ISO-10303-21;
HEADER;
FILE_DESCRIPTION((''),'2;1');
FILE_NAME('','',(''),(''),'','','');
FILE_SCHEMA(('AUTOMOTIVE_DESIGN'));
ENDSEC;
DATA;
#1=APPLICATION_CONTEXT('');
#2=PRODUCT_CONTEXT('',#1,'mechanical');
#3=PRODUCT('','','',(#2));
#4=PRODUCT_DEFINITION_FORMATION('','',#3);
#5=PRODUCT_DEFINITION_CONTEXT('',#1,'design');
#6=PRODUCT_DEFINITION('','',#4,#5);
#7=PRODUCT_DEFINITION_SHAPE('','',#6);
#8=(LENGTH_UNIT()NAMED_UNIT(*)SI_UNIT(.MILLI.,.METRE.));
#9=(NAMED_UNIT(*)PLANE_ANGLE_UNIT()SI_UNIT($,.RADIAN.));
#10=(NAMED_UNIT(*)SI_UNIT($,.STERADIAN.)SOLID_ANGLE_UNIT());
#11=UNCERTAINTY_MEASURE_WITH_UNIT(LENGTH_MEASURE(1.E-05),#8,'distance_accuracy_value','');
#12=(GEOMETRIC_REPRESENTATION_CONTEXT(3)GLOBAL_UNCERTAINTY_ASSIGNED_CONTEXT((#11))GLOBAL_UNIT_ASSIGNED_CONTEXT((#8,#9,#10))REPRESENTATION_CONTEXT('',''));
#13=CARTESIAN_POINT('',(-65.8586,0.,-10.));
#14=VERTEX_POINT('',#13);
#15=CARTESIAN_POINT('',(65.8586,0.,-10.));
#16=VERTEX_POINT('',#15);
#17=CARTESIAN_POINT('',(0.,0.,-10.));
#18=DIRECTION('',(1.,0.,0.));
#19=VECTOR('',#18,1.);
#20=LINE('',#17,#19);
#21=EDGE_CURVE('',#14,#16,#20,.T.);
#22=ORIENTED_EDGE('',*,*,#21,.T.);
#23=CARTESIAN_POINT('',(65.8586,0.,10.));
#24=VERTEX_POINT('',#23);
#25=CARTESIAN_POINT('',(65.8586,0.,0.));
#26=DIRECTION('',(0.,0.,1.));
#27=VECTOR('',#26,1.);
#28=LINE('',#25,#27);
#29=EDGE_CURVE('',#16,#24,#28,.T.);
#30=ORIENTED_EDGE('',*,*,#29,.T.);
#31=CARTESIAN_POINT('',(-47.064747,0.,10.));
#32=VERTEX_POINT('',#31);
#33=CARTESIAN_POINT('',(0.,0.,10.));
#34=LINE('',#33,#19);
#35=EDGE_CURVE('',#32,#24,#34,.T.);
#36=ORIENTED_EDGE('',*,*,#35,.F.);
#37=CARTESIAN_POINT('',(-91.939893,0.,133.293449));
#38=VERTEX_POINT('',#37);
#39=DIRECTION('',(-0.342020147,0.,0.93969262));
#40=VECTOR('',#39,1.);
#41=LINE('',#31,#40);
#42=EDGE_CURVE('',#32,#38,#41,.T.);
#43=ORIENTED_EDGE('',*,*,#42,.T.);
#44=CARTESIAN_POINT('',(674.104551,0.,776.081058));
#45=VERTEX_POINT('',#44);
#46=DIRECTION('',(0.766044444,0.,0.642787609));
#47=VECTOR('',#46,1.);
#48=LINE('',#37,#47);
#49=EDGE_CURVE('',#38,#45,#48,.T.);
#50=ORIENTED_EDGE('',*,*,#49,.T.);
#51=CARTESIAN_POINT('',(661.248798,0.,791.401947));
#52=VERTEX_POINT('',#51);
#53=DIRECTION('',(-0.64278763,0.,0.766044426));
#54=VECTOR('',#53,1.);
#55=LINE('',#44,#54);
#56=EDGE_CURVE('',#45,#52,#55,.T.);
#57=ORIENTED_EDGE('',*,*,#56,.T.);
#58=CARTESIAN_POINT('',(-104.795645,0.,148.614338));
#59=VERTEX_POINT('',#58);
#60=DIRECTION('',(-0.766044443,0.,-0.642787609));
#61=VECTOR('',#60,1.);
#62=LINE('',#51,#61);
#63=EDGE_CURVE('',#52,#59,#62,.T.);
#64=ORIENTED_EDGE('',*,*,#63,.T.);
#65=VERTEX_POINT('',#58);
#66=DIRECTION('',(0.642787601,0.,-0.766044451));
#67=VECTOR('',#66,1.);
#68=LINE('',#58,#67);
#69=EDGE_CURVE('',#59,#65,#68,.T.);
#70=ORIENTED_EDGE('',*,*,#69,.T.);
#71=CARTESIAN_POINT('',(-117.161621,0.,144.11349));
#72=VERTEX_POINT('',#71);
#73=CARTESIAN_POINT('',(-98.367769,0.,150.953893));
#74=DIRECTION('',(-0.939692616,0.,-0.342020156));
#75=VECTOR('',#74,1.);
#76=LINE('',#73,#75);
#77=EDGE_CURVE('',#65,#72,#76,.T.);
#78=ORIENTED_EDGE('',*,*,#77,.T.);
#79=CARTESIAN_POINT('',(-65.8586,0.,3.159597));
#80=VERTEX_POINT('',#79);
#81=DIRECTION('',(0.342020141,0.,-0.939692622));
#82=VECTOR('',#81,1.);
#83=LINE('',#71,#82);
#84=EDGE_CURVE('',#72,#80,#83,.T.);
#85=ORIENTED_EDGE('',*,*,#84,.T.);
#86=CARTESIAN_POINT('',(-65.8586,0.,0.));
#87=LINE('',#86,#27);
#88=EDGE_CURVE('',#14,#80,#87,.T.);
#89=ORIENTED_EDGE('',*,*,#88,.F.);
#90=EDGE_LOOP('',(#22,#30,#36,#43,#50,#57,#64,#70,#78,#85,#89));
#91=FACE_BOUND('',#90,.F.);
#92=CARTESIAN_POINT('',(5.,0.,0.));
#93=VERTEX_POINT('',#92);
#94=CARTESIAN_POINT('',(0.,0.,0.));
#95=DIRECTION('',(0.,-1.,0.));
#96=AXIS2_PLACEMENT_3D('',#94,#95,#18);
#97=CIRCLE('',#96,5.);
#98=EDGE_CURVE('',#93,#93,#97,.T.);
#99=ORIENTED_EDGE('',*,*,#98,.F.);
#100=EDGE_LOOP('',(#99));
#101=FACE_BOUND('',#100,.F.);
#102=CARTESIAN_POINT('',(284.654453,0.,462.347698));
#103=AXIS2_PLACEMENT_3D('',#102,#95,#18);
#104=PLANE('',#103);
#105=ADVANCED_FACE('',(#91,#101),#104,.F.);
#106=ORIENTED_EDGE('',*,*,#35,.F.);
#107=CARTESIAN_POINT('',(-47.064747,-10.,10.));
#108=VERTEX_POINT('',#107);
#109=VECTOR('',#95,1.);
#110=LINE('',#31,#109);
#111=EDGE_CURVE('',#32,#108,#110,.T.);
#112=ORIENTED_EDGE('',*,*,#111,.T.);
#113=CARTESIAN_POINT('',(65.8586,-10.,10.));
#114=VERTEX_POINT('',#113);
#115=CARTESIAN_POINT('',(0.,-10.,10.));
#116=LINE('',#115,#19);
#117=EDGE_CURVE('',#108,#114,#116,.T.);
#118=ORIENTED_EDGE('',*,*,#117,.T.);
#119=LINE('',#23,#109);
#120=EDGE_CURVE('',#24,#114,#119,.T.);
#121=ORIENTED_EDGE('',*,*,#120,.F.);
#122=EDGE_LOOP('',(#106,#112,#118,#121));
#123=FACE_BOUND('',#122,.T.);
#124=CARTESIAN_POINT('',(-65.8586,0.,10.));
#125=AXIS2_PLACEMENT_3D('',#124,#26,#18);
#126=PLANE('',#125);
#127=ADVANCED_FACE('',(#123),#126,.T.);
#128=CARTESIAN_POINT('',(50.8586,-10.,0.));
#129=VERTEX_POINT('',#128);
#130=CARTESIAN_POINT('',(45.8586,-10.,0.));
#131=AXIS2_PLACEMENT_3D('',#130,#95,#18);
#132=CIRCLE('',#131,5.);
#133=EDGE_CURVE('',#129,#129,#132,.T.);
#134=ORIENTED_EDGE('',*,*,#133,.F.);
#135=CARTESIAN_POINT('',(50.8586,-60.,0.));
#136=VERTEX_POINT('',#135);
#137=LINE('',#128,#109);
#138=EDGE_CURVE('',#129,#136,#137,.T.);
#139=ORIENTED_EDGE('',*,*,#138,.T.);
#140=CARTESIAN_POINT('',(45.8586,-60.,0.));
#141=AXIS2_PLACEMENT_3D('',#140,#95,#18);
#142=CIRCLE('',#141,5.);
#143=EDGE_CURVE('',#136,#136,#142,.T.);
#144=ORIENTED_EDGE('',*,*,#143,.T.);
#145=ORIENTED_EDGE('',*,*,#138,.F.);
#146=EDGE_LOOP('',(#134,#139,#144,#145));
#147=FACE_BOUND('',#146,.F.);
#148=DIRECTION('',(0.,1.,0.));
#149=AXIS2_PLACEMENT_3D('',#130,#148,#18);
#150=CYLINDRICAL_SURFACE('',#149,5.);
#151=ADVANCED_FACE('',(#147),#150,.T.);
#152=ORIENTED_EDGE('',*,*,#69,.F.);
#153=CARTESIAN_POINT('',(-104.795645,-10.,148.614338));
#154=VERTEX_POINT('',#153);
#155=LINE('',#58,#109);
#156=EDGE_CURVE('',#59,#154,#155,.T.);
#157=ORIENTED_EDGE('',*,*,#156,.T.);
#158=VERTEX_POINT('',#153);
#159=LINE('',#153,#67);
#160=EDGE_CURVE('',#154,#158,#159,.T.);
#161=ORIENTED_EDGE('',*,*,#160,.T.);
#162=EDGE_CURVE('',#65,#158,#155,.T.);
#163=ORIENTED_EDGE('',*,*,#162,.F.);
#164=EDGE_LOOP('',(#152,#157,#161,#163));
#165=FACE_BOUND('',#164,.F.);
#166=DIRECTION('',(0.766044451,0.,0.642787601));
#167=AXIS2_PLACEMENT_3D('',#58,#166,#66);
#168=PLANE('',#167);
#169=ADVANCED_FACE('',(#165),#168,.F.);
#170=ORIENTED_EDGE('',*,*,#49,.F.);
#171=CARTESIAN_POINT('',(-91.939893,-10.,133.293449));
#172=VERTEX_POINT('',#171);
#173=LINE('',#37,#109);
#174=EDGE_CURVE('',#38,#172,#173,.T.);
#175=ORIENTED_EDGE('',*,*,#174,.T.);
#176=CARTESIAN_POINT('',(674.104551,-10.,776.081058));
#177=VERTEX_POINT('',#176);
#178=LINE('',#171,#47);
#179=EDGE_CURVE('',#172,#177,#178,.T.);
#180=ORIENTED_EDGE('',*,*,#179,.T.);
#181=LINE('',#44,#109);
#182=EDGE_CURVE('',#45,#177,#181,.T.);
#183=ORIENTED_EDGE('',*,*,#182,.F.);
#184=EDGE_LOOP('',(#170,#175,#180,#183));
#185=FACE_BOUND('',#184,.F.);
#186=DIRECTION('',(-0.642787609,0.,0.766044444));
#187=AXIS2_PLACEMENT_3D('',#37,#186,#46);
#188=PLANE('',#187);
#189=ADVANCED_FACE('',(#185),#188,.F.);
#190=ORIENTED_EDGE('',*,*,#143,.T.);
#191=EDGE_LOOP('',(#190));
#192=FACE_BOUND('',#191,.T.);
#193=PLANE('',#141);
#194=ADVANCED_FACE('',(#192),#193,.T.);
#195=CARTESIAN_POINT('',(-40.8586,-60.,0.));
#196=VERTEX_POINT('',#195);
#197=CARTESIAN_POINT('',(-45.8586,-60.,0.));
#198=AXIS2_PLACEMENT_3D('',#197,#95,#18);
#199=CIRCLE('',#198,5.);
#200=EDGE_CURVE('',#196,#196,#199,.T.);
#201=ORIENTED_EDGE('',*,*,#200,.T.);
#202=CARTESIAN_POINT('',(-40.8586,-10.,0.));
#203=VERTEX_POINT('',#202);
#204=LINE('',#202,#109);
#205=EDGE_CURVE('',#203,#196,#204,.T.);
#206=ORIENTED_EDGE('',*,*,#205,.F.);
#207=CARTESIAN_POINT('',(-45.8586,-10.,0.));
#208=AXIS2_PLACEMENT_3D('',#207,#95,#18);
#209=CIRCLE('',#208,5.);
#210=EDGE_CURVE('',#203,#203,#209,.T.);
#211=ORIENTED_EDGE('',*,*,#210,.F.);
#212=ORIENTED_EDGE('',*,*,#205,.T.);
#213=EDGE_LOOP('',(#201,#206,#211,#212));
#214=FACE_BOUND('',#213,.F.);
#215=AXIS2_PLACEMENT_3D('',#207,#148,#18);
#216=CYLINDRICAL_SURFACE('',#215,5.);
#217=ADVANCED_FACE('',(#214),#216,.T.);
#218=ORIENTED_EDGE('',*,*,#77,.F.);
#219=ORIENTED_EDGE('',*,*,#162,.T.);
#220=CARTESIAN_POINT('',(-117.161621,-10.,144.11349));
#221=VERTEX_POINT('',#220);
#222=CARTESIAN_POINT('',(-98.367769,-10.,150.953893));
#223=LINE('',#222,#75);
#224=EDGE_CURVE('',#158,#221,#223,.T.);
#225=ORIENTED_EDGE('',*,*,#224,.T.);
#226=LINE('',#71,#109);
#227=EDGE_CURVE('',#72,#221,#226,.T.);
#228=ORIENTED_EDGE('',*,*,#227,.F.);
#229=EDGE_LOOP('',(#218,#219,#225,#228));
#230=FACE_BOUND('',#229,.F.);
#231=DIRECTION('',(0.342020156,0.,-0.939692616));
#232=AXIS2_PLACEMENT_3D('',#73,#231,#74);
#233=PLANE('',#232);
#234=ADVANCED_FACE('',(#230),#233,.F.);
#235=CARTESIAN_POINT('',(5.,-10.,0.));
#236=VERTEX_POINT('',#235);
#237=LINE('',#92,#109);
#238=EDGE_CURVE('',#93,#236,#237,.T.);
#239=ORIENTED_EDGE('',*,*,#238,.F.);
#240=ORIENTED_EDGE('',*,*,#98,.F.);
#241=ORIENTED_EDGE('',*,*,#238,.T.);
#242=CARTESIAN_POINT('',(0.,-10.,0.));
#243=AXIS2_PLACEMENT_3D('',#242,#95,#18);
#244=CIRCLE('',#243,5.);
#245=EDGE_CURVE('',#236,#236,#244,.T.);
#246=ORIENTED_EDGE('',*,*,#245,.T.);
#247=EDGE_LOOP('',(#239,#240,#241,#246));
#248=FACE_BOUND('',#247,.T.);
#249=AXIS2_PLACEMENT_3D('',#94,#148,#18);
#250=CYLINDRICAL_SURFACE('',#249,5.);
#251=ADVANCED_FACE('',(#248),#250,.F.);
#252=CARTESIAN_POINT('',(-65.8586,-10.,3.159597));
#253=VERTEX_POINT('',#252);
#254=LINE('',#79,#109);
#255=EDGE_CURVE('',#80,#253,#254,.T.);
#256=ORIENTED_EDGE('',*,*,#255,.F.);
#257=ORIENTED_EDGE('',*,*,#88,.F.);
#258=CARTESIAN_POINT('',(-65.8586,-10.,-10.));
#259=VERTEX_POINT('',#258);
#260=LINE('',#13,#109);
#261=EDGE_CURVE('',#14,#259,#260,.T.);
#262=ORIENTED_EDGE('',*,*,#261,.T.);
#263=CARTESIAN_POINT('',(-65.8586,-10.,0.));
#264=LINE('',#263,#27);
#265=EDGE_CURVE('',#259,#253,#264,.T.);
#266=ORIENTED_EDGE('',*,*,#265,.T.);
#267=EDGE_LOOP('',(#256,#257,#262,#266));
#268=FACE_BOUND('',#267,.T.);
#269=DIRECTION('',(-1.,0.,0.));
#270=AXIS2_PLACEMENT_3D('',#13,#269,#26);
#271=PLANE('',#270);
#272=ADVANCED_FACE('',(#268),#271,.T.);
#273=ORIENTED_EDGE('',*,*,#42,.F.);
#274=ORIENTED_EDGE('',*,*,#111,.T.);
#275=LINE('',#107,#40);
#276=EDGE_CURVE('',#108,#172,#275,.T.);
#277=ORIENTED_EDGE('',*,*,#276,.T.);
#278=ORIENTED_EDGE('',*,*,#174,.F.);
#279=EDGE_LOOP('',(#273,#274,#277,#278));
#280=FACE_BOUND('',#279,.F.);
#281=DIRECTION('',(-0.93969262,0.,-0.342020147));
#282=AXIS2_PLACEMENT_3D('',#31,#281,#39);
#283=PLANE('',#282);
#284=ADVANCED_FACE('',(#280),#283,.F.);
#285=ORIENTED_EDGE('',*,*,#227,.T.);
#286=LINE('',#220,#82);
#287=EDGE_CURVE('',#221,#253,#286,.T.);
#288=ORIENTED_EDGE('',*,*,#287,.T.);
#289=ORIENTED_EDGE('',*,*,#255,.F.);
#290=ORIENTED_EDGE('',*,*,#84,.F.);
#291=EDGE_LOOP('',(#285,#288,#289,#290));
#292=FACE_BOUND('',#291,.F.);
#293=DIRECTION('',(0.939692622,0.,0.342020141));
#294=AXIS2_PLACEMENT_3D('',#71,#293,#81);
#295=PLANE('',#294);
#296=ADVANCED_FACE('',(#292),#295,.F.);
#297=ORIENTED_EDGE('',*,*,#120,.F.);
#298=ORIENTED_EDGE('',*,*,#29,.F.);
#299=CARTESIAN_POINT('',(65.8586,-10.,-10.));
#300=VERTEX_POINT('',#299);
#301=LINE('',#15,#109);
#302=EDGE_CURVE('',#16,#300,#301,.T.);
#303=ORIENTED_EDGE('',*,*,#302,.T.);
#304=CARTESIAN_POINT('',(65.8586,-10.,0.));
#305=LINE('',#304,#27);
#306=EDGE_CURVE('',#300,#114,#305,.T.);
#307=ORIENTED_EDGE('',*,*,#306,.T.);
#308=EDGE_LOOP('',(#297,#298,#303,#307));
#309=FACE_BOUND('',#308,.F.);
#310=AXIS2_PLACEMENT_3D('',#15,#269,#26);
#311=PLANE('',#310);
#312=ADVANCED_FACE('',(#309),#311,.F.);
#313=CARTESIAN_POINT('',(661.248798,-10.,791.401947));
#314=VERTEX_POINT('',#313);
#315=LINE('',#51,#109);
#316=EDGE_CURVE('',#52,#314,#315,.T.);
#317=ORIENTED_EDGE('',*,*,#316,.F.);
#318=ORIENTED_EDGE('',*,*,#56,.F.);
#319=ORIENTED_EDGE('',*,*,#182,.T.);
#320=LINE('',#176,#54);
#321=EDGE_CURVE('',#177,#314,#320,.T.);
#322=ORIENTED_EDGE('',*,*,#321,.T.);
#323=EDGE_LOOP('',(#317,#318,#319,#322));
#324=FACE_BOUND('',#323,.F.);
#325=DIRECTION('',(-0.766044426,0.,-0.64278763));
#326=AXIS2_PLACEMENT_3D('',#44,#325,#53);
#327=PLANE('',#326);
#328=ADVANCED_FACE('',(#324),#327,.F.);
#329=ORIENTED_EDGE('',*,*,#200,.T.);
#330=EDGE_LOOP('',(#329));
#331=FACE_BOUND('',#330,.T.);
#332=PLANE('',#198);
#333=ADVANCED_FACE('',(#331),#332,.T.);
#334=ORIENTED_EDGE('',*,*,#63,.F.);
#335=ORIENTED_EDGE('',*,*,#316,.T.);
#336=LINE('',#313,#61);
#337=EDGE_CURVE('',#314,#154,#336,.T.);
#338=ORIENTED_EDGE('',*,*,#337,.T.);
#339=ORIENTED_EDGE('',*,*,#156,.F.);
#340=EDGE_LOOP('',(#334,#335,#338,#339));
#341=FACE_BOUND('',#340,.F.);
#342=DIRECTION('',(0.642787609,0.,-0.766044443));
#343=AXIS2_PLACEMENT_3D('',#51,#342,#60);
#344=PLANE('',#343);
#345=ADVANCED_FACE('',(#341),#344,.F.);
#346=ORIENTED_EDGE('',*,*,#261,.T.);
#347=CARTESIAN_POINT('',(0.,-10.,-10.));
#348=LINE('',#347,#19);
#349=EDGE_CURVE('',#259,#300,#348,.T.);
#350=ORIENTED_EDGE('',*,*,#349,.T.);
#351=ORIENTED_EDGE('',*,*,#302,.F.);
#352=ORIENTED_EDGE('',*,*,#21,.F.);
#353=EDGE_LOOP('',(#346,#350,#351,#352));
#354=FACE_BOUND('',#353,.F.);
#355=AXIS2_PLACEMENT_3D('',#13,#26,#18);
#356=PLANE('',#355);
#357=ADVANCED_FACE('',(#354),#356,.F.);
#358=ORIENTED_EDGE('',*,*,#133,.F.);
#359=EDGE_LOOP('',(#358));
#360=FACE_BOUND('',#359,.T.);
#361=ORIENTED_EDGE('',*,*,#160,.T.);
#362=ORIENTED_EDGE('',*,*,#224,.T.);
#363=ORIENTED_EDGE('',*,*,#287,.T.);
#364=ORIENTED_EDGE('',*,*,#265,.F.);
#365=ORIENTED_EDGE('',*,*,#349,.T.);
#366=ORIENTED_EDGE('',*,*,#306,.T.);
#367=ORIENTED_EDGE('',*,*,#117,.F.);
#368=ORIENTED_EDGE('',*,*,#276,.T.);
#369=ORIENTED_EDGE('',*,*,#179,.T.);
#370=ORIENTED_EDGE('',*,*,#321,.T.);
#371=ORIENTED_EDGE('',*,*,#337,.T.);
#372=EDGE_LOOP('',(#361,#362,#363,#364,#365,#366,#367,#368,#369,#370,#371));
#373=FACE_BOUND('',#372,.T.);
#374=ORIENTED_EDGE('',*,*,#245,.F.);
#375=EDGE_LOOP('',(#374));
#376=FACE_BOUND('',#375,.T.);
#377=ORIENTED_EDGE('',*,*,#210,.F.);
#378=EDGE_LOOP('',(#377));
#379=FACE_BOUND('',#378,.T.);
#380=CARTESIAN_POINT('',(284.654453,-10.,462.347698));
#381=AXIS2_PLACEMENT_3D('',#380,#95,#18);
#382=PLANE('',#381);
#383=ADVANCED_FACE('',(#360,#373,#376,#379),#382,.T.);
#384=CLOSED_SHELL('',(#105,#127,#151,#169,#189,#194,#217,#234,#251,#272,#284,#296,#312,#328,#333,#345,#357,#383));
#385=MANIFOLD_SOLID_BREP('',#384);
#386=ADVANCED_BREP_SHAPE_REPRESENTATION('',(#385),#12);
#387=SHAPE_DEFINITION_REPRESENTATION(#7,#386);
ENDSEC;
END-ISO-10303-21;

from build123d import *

# Parameters (mm, degrees)
F0_W     = 131.7172
F0_H     = 20
F0_R     = 5
F1_DEPTH = 10
F2_R     = 5
F3_DEPTH = 50
F5_DEPTH = 10
F7_DEPTH = 10


with BuildPart() as f1:
    # F0 (on Front) → F1 (new body)
    with BuildSketch(Plane.XZ):
        Rectangle(F0_W, F0_H)
        Circle(F0_R, mode=Mode.SUBTRACT)
    extrude(amount=F1_DEPTH)

    # F2 (on face) → F3 (join)
    with BuildSketch(Plane.XZ.offset(10)):
        with Locations((-45.8586, 0)):
            Circle(F2_R)
        with Locations((45.8586, 0)):
            Circle(F2_R)
    extrude(amount=F3_DEPTH)

    # F4 (on Front) → F5 (join)
    with BuildSketch(Plane.XZ):
        Polygon((-117.161621, 144.11349), (-65.8586, 3.159597), (-47.064747, 10), (-98.367769, 150.953893), align=None)
    extrude(amount=F5_DEPTH)

    # F6 (on Front) → F7 (join)
    with BuildSketch(Plane.XZ):
        Polygon((661.248798, 791.401947), (-104.795645, 148.614338), (-91.939893, 133.293449), (674.104551, 776.081058), align=None)
    extrude(amount=F7_DEPTH)


solid = f1.part
